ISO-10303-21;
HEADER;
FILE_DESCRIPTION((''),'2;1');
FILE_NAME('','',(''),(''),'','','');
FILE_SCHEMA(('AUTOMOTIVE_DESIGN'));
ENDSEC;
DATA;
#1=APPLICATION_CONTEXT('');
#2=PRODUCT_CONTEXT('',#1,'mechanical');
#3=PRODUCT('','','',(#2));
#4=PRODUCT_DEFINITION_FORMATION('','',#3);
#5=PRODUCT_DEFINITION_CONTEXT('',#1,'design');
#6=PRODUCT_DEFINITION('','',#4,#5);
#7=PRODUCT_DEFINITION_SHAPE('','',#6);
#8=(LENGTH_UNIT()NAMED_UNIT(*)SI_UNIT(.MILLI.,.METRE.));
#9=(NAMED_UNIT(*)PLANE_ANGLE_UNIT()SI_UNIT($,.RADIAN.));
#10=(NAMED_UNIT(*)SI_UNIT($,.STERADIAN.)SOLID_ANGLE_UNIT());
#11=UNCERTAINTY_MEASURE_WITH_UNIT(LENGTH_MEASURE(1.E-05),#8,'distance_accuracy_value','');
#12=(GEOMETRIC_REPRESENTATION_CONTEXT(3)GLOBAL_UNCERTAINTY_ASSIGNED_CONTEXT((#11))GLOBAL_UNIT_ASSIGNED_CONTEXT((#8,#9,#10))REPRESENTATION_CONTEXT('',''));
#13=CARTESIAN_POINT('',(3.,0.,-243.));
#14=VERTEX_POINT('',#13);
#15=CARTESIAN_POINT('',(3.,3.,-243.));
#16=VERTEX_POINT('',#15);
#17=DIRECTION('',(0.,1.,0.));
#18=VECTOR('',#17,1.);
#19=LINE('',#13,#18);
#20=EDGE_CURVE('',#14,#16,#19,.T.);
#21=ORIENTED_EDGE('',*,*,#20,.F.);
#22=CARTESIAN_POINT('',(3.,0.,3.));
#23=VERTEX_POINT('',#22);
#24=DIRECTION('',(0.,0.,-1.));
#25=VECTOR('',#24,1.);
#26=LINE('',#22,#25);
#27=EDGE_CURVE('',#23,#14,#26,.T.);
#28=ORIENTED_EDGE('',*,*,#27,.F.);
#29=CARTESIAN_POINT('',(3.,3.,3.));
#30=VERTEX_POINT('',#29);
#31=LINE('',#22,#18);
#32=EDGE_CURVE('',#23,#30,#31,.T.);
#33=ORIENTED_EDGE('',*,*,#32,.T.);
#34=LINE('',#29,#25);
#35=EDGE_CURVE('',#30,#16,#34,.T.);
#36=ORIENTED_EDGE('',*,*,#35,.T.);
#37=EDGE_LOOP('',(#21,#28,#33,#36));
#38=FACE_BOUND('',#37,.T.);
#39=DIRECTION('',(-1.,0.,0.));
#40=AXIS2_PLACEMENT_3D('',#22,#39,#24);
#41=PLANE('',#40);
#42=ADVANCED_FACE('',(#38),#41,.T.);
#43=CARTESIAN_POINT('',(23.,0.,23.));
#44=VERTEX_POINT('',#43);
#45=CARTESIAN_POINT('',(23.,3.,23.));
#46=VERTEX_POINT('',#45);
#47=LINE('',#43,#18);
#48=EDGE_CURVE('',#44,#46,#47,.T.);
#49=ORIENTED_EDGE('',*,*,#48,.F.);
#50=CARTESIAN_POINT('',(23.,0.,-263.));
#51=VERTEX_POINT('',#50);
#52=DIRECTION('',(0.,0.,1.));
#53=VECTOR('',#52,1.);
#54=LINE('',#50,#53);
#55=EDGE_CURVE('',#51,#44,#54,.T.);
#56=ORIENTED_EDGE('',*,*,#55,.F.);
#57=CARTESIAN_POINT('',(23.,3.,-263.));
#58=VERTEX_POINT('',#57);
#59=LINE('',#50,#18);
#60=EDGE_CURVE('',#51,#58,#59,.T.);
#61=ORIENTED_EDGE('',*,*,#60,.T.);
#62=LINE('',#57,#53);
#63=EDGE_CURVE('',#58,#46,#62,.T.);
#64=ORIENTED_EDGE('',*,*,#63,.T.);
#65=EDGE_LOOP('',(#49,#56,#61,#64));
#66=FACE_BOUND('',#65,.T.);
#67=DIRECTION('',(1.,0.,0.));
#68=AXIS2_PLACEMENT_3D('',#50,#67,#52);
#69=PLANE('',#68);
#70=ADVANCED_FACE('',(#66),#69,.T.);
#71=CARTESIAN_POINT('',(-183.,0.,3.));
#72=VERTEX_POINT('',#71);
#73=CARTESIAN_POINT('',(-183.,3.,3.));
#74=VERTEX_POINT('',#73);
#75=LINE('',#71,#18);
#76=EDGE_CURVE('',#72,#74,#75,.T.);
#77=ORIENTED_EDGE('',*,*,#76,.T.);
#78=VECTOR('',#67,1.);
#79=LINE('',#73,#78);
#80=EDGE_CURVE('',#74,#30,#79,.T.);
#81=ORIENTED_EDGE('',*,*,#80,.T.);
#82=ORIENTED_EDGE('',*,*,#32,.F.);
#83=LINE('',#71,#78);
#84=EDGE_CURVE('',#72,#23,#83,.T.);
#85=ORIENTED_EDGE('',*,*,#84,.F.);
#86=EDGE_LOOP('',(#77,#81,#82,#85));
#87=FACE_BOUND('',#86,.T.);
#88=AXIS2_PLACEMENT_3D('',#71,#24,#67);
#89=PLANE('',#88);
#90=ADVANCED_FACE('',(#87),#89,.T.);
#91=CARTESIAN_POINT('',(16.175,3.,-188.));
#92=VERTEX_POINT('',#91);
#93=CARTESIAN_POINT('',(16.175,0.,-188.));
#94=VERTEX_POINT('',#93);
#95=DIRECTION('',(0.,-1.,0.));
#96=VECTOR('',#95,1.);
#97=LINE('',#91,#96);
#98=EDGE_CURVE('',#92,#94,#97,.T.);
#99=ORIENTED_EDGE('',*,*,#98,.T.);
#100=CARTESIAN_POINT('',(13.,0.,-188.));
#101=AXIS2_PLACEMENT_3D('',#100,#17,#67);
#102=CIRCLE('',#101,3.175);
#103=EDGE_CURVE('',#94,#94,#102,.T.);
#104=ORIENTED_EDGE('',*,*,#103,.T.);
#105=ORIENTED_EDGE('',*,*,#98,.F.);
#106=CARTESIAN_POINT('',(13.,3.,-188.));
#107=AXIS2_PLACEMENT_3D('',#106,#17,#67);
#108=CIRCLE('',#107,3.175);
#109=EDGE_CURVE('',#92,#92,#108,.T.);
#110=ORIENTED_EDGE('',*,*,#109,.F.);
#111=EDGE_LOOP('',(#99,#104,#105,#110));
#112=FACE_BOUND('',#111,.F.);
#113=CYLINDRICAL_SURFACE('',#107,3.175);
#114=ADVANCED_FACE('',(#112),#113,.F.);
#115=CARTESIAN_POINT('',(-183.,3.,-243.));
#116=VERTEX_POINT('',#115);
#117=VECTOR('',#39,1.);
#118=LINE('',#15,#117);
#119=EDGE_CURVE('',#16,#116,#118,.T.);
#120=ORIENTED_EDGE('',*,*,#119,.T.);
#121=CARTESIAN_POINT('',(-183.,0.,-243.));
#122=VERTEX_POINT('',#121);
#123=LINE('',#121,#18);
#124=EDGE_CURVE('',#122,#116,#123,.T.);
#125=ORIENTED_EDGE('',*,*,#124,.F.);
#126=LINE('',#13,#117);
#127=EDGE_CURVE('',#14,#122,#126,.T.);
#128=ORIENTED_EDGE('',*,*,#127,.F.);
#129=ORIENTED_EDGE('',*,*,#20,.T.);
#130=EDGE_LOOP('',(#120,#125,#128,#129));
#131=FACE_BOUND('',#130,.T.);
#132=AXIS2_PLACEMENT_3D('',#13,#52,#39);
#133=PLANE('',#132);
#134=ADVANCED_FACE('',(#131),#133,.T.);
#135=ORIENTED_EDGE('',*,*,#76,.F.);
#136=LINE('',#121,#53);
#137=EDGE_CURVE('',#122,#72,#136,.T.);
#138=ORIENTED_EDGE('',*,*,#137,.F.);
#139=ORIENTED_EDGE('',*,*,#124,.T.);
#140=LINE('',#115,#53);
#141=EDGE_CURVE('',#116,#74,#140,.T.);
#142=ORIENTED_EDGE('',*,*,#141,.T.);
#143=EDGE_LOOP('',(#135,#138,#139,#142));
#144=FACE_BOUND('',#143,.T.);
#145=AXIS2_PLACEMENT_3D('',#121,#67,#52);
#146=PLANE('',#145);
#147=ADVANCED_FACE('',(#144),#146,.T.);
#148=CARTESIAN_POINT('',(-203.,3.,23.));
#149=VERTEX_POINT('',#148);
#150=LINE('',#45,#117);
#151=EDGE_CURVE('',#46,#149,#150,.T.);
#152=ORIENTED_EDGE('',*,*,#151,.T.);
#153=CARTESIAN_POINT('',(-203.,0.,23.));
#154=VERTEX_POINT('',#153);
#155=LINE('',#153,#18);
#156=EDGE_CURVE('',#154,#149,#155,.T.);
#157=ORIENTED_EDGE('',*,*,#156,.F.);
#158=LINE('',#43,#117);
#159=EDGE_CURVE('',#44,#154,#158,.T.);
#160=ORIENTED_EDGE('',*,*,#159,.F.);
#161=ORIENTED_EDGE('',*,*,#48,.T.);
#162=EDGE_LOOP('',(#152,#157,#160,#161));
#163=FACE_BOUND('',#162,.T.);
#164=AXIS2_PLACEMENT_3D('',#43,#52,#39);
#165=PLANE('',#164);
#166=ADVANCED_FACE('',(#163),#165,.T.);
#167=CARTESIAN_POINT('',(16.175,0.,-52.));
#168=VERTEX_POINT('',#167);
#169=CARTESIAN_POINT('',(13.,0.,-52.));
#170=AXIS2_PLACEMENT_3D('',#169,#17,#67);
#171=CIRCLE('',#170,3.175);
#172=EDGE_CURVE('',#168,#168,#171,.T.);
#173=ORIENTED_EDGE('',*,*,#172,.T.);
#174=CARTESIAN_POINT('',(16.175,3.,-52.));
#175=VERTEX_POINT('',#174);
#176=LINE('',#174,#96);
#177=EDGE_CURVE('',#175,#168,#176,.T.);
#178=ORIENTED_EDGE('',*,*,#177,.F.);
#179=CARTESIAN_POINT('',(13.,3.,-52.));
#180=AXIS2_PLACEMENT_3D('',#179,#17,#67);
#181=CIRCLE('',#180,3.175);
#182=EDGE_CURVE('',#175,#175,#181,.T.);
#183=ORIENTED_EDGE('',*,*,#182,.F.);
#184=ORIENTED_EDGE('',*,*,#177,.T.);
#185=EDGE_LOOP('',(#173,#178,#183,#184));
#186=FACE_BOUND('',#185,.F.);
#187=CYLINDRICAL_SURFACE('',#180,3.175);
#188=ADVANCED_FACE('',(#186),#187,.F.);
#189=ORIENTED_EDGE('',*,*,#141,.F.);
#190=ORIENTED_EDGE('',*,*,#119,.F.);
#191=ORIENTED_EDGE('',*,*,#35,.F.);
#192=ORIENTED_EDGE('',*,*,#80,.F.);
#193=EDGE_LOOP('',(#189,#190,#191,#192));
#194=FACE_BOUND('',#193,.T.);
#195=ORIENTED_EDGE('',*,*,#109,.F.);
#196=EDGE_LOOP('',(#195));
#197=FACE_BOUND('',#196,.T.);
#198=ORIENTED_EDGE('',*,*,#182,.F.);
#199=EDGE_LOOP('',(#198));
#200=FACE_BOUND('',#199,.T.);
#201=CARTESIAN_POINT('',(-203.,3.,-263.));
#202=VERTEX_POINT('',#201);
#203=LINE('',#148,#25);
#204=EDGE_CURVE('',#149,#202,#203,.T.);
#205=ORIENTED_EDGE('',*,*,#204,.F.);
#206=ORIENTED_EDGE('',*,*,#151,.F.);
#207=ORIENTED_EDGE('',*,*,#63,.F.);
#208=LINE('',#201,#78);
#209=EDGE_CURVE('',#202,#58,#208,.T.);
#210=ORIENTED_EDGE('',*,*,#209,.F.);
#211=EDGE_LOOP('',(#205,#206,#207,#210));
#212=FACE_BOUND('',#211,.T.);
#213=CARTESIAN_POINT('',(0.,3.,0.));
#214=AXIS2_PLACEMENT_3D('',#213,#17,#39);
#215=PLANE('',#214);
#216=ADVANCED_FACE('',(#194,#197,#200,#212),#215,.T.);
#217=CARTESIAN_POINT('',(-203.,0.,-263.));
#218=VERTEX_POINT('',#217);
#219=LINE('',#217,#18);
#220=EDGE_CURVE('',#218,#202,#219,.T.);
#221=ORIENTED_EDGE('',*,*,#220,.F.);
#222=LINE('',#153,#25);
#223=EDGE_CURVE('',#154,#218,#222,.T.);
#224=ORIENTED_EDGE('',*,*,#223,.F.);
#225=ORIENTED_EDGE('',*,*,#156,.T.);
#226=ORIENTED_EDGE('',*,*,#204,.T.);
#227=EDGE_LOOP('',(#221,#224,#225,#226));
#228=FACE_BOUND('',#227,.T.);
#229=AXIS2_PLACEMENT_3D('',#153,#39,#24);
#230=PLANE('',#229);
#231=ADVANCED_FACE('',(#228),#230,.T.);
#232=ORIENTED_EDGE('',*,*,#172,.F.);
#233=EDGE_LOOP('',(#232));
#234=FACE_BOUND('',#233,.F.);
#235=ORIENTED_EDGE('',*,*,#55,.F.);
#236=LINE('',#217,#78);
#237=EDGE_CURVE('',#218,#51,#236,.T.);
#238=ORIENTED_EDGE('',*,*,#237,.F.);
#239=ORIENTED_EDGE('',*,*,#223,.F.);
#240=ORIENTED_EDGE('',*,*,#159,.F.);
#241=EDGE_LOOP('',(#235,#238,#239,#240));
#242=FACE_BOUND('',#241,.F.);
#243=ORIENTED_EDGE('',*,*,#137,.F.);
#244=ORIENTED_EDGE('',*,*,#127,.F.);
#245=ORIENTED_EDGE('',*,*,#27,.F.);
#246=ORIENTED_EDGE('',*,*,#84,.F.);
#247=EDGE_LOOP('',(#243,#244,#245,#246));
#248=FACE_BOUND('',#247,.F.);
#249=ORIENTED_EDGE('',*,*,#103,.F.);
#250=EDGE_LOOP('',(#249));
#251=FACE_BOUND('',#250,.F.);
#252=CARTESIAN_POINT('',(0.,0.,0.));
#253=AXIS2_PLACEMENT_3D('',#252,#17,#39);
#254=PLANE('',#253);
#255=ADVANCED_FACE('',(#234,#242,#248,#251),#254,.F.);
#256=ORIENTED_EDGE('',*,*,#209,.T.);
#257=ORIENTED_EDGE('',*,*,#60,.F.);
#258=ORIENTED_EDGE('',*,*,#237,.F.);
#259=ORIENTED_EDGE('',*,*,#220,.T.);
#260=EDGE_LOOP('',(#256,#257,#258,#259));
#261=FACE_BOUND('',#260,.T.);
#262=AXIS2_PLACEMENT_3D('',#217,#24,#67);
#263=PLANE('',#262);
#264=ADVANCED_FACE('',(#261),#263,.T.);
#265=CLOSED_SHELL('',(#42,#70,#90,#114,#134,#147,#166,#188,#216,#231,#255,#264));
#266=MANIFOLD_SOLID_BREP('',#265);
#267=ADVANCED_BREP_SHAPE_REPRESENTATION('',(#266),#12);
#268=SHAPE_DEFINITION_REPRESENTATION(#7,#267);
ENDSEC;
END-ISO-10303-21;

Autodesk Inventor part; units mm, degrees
ref_plane "YZ Plane" through (0, 0, 0) normal (1, 0, 0) x (0, 1, 0)
ref_plane "XZ Plane" through (0, 0, 0) normal (0, 1, 0) x (-1, 0, 0)
ref_plane "XY Plane" through (0, 0, 0) normal (0, 0, 1) x (1, 0, 0)
sketch "Boceto1" plane through (0, 0, 0) normal (0, 1, 0) x (-1, 0, 0)
  line L0 (0, 0) -> (180, 0)
  line L1 (180, 0) -> (180, -240)
  line L2 (180, -240) -> (0, -240)
  line L3 (0, -240) -> (0, 0)
  line L4 (-3, -243) -> (183, -243)
  line L5 (183, -243) -> (183, 3)
  line L6 (183, 3) -> (-3, 3)
  line L7 (-3, 3) -> (-3, -243)
  line L8 (203, 23) -> (203, -263)
  line L9 (203, -263) -> (-23, -263)
  line L10 (-23, -263) -> (-23, 23)
  line L11 (-23, 23) -> (203, 23)
  dimension "d0" = 180
  dimension "d1" = 240
  dimension "d2" = 3
  dimension "d5" = 20
extrude "Extrusión3" add sketch "Boceto1" along normal blind 3 contours L8 L9 L10 L11
sketch "Boceto6" plane through (0, 3, 0) normal (0, 1, 0) x (1, 0, 0)
  line L0 (-183, -3) -> (-183, 243) projected
  line L1 (-183, 243) -> (3, 243) projected
  line L2 (3, 243) -> (3, -3) projected
  line L3 (3, -3) -> (-183, -3) projected
  line L4 (-203, 263) -> (-203, -23) projected
  line L5 (-203, -23) -> (23, -23) projected
  line L6 (23, -23) -> (23, 263) projected
  line L7 (23, 263) -> (-203, 263) projected
  line L8 (23, 91.3088) -> (23, 114.6899)
  line L9 (3, 114.6899) -> (3, 91.3088)
  circle A0 centre (13, 188) radius 3.175
  circle A1 centre (13, 52) radius 3.175
  point P0 (0, 0)
  dimension "d32" = 6.35
  dimension "d33" = 75
  dimension "d34" = 6.35
  dimension "d35" = 75
extrude "Extrusión8" cut sketch "Boceto6" against normal blind 3 contours A0 | A1
properties part number "Tapa Superior"
